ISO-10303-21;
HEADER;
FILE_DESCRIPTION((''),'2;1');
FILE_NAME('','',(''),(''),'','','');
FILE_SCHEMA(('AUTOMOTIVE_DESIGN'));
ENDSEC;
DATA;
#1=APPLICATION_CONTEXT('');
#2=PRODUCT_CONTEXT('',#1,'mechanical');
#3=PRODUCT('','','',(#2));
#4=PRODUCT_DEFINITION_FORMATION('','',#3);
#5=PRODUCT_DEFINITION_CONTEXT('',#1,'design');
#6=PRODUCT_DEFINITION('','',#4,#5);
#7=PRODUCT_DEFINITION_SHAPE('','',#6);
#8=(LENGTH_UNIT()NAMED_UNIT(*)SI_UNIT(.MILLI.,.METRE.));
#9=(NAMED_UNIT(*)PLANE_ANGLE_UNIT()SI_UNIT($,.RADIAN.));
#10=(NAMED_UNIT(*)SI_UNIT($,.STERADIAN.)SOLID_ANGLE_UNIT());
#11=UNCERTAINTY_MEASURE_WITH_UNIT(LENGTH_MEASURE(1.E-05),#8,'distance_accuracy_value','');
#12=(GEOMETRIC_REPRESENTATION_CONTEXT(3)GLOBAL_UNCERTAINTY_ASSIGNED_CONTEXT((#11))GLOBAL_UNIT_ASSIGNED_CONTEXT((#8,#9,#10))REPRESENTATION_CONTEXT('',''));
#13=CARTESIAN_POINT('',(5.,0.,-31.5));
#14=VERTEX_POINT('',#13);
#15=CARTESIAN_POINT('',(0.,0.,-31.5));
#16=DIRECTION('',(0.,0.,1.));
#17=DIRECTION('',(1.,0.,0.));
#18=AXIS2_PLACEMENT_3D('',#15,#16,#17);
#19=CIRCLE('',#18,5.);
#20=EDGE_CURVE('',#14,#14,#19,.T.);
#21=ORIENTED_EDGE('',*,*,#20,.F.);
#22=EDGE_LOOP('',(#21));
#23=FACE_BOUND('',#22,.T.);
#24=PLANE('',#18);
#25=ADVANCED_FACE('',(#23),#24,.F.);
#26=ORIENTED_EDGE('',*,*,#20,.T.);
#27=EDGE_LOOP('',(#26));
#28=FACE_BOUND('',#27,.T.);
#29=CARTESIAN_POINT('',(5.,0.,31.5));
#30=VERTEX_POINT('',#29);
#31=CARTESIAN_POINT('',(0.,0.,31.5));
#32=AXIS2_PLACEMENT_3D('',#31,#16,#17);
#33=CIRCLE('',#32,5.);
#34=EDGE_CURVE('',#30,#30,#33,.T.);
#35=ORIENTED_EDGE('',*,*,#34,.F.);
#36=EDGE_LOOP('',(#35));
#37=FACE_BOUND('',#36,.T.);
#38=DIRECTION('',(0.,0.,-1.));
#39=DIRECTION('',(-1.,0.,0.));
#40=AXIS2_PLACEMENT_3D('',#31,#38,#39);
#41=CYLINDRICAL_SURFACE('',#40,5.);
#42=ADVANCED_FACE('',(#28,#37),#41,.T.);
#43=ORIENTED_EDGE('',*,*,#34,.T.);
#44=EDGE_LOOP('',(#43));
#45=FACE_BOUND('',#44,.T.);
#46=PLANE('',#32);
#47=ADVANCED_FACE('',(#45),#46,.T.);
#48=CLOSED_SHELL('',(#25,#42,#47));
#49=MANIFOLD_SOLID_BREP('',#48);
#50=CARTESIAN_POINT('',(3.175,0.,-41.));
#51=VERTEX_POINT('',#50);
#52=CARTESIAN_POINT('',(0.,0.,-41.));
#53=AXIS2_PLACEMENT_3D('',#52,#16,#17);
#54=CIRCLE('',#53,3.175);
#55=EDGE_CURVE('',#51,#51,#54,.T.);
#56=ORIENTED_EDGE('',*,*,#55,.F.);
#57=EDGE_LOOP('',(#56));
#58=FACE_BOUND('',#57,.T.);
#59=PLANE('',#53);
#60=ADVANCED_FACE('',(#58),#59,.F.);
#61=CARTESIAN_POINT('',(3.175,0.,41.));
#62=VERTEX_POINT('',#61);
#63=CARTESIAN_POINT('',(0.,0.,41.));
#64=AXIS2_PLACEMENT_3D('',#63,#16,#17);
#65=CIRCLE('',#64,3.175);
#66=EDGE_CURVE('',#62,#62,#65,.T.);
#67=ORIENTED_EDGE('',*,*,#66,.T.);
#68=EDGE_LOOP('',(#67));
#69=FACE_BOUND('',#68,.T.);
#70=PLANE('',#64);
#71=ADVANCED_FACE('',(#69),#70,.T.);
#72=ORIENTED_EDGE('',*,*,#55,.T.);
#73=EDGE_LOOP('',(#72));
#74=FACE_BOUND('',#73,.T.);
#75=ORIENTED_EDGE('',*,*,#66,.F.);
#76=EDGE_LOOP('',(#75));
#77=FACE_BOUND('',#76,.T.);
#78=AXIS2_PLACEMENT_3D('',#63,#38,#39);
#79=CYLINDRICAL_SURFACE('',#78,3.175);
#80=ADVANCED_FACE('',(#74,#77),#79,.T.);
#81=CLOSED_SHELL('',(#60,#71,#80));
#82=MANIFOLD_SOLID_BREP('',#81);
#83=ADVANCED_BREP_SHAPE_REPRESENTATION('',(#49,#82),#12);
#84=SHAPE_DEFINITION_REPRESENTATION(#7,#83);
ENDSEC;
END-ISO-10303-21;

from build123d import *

# Parameters (mm, degrees)
SKETCH1_R           = 3.175
BOSS_EXTRUDE1_DEPTH = 41
SKETCH2_R           = 5
BOSS_EXTRUDE2_DEPTH = 31.5


with BuildPart() as part:
    # Sketch1 → Boss-Extrude1 (new, symmetric)
    with BuildSketch(Plane.XY):
        Circle(SKETCH1_R)
    extrude(amount=BOSS_EXTRUDE1_DEPTH, both=True)


with BuildPart() as body_2:
    # Sketch2 → Boss-Extrude2 (new, symmetric)
    with BuildSketch(Plane.XY):
        Circle(SKETCH2_R)
    extrude(amount=BOSS_EXTRUDE2_DEPTH, both=True)


solid = Compound([part.part, body_2.part])
